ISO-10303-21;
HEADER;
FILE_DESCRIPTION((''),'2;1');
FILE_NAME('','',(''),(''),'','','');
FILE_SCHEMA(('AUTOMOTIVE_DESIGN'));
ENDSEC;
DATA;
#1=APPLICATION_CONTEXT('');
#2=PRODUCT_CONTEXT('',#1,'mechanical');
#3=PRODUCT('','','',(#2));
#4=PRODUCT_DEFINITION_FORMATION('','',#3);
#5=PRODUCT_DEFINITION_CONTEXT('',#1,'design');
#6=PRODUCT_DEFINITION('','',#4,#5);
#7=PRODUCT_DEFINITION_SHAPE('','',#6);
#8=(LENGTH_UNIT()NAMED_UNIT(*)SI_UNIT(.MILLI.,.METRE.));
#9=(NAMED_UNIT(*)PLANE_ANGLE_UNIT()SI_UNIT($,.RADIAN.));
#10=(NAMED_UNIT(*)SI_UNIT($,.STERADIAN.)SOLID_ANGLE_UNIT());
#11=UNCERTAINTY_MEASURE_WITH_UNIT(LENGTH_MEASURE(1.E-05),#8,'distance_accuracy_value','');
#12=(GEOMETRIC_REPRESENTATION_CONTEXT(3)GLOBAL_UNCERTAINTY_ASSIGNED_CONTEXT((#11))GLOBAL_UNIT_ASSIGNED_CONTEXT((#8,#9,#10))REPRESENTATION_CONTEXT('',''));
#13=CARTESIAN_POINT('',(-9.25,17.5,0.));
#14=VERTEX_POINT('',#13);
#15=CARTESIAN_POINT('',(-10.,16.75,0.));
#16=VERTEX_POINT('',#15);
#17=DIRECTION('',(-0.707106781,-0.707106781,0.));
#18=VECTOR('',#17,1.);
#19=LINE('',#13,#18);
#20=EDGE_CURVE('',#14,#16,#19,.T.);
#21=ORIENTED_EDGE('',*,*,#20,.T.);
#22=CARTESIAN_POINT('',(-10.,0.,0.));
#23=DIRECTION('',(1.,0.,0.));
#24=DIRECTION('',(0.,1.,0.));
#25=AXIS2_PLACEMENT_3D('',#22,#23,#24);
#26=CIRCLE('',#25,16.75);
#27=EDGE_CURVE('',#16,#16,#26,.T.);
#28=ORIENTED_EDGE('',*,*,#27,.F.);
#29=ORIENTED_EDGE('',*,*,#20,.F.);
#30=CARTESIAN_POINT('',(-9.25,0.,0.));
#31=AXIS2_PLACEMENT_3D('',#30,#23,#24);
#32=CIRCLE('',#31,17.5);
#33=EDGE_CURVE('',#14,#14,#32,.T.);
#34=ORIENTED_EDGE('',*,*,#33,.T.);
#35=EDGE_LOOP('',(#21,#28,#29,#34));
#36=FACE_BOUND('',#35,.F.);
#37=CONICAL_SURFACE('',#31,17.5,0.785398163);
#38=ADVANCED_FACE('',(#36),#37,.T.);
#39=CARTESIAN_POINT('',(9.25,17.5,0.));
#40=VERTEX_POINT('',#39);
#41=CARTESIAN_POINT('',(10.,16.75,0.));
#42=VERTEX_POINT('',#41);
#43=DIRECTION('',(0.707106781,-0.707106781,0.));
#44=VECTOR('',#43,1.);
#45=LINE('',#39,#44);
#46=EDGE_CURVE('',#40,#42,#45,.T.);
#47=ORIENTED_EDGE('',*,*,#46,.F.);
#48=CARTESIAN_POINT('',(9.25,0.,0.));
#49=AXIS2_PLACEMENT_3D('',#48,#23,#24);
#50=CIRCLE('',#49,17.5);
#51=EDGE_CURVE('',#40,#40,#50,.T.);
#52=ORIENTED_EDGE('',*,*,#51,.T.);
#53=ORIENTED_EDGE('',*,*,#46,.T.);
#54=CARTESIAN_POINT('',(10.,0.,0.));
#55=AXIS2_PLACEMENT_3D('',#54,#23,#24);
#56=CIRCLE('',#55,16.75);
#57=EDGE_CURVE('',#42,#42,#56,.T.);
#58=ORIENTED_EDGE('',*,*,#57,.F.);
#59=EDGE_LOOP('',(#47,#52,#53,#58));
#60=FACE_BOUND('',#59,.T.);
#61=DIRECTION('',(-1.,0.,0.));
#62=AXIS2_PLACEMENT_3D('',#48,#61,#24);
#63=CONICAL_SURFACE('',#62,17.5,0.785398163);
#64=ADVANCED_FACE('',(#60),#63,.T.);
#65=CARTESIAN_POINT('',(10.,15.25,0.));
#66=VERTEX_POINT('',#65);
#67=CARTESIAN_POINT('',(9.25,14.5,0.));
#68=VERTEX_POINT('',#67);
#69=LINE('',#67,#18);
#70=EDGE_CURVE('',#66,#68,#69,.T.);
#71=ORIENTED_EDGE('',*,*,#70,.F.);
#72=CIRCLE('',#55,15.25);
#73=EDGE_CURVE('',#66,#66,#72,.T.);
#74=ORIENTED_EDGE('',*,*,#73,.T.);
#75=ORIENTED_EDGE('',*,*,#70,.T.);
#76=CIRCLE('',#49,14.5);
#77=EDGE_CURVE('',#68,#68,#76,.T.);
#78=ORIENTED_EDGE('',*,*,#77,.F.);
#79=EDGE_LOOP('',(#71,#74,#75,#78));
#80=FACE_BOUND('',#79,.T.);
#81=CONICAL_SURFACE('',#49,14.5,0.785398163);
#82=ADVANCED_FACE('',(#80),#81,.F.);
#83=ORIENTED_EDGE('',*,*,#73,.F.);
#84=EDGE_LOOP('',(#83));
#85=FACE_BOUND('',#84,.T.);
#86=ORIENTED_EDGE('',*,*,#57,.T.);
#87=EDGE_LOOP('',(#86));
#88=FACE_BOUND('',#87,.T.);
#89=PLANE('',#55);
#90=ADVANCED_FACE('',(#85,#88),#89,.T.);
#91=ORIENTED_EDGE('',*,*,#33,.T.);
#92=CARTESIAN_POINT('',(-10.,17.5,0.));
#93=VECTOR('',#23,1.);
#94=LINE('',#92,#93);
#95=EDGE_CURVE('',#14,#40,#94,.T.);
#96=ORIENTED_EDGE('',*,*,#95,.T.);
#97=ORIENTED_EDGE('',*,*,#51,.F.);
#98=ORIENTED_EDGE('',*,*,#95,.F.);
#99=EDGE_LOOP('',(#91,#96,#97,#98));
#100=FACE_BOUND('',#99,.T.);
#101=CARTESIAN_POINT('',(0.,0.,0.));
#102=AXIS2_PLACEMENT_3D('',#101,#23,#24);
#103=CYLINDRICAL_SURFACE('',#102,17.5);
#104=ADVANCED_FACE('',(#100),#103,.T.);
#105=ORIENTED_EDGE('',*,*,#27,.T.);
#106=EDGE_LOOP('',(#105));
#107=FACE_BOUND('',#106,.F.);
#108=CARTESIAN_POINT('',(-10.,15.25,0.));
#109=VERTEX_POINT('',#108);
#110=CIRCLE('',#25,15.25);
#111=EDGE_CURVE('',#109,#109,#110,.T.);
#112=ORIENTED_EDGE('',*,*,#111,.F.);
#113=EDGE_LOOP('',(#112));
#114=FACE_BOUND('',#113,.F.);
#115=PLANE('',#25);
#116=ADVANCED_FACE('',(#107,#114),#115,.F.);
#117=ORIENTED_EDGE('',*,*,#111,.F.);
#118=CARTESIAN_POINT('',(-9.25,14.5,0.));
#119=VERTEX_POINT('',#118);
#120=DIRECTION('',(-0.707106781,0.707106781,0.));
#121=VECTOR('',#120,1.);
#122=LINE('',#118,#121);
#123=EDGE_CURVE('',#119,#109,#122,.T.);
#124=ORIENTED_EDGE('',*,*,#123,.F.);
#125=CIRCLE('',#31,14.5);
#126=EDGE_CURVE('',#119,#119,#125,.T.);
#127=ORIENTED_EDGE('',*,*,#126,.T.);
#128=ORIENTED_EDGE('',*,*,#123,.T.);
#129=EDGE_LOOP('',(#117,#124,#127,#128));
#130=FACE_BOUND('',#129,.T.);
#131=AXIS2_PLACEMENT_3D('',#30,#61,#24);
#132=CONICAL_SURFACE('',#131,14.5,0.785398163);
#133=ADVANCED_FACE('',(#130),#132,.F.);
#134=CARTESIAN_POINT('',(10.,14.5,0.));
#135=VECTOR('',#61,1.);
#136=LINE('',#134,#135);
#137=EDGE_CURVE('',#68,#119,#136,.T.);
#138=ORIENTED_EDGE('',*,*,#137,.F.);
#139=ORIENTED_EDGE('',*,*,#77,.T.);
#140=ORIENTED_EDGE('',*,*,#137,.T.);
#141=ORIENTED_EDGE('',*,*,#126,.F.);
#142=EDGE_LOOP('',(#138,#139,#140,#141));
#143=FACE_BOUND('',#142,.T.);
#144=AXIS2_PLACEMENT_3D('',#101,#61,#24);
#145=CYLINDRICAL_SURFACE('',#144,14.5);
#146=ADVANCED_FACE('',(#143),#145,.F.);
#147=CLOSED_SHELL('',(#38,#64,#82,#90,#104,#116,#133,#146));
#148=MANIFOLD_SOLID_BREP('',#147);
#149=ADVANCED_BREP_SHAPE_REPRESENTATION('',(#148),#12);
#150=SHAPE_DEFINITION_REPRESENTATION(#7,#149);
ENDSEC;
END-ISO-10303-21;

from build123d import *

# Parameters (mm, degrees)
F0_R     = 17.5
F0_R_2   = 14.5
F1_DEPTH = 10
F2_SIZE  = 0.75


with BuildPart() as f1:
    # F0 (on Right) → F1 (new body, symmetric)
    with BuildSketch(Plane.YZ):
        Circle(F0_R)
        Circle(F0_R_2, mode=Mode.SUBTRACT)
    extrude(amount=F1_DEPTH, both=True)

    # F2
    f2_edges = [f1.edges().sort_by_distance(p)[0] for p in [
        (-10, -17.5, 0),
        (10, -17.5, 0),
        (10, -14.5, 0),
        (-10, -14.5, 0),
    ]]
    chamfer(f2_edges, length=F2_SIZE)


solid = f1.part
